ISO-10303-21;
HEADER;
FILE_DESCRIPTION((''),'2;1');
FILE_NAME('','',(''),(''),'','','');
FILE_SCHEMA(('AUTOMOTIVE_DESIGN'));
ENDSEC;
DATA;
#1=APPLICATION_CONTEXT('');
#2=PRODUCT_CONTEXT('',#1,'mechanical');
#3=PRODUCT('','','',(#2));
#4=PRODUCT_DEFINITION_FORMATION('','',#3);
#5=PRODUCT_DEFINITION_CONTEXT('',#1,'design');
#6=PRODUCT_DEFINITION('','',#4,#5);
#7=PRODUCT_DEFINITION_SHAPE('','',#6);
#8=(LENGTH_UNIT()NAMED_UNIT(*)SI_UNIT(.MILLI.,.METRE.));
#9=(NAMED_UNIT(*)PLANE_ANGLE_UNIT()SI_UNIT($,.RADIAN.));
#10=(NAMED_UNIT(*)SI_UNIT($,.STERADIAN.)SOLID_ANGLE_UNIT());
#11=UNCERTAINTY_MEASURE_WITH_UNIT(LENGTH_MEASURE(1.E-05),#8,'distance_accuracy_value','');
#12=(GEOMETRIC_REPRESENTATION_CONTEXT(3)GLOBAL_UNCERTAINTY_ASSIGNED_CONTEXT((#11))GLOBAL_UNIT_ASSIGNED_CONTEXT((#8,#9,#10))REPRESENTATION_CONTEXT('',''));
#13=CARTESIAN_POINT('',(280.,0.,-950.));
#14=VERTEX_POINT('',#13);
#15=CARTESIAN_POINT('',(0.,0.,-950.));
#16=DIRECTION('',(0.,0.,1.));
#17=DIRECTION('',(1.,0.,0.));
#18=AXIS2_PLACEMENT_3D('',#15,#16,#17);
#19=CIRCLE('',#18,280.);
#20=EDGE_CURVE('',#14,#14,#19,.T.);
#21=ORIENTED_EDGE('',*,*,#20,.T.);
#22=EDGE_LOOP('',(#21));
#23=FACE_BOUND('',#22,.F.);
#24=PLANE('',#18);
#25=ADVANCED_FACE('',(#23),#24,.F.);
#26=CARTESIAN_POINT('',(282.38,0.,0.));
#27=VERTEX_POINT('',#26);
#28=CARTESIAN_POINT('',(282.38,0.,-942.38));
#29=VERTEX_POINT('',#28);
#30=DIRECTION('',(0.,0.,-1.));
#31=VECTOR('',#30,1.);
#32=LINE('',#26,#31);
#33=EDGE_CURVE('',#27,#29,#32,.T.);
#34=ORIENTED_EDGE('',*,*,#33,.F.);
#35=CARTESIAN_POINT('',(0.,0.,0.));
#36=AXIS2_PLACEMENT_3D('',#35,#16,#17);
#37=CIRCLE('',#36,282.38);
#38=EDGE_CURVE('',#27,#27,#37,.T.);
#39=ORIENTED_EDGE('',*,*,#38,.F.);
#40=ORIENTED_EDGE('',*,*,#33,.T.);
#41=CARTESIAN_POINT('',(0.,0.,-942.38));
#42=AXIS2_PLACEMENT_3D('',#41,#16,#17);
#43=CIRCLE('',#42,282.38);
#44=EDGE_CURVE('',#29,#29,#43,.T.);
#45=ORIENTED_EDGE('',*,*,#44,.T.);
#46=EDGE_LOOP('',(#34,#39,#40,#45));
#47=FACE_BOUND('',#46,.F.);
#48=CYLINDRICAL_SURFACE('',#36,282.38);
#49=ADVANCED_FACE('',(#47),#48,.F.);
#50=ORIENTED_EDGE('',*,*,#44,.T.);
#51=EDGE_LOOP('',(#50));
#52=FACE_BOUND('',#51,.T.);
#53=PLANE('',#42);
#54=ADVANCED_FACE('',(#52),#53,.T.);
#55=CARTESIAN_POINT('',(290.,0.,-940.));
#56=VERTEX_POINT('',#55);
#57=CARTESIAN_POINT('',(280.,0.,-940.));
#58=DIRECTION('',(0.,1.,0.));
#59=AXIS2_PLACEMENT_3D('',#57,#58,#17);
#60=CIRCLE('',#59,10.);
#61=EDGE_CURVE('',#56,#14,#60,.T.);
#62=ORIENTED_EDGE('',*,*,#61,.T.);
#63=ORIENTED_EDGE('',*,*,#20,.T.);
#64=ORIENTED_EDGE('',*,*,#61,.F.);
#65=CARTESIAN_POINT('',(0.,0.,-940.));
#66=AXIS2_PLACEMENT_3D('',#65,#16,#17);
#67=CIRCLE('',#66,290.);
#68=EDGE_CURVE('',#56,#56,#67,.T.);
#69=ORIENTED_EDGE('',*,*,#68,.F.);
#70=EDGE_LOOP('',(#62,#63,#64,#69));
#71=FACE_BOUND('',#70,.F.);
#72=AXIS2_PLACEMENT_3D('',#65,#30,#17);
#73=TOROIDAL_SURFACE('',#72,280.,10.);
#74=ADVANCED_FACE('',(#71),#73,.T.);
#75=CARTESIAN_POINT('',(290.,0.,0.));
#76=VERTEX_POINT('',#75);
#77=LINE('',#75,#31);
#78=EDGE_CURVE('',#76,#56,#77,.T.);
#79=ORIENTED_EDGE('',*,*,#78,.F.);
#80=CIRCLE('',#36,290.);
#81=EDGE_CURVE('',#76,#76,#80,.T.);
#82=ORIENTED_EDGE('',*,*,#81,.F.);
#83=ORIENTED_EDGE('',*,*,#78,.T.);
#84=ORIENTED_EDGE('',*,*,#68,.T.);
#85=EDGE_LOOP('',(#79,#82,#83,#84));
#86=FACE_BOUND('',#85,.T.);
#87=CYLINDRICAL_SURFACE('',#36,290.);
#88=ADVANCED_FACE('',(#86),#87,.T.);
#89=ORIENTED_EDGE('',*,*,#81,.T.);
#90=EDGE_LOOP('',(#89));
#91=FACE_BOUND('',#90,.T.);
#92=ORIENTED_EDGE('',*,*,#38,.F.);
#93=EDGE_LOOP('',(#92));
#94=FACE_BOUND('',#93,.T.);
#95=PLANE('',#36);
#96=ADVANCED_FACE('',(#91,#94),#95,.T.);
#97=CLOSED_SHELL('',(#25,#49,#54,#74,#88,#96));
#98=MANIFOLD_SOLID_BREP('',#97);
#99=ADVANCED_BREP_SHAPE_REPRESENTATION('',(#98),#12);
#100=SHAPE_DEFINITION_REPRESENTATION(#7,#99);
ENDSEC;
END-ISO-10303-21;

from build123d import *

# Parameters (mm, degrees)
F0_R     = 290
F1_DEPTH = 950
F2_T     = -7.62
F3_R     = 10


with BuildPart() as f1:
    # F0 (on Top) → F1 (new body)
    with BuildSketch(Plane.XY):
        Circle(F0_R)
    extrude(amount=-F1_DEPTH)

    # F2
    f2_openings = [f1.faces().sort_by_distance(p)[0] for p in [
        (0, 0, 0),
    ]]
    offset(amount=F2_T, openings=f2_openings)

    # F3
    f3_edges = [f1.edges().sort_by_distance(p)[0] for p in [
        (-290, 0, -950),
    ]]
    fillet(f3_edges, radius=F3_R)


solid = f1.part
